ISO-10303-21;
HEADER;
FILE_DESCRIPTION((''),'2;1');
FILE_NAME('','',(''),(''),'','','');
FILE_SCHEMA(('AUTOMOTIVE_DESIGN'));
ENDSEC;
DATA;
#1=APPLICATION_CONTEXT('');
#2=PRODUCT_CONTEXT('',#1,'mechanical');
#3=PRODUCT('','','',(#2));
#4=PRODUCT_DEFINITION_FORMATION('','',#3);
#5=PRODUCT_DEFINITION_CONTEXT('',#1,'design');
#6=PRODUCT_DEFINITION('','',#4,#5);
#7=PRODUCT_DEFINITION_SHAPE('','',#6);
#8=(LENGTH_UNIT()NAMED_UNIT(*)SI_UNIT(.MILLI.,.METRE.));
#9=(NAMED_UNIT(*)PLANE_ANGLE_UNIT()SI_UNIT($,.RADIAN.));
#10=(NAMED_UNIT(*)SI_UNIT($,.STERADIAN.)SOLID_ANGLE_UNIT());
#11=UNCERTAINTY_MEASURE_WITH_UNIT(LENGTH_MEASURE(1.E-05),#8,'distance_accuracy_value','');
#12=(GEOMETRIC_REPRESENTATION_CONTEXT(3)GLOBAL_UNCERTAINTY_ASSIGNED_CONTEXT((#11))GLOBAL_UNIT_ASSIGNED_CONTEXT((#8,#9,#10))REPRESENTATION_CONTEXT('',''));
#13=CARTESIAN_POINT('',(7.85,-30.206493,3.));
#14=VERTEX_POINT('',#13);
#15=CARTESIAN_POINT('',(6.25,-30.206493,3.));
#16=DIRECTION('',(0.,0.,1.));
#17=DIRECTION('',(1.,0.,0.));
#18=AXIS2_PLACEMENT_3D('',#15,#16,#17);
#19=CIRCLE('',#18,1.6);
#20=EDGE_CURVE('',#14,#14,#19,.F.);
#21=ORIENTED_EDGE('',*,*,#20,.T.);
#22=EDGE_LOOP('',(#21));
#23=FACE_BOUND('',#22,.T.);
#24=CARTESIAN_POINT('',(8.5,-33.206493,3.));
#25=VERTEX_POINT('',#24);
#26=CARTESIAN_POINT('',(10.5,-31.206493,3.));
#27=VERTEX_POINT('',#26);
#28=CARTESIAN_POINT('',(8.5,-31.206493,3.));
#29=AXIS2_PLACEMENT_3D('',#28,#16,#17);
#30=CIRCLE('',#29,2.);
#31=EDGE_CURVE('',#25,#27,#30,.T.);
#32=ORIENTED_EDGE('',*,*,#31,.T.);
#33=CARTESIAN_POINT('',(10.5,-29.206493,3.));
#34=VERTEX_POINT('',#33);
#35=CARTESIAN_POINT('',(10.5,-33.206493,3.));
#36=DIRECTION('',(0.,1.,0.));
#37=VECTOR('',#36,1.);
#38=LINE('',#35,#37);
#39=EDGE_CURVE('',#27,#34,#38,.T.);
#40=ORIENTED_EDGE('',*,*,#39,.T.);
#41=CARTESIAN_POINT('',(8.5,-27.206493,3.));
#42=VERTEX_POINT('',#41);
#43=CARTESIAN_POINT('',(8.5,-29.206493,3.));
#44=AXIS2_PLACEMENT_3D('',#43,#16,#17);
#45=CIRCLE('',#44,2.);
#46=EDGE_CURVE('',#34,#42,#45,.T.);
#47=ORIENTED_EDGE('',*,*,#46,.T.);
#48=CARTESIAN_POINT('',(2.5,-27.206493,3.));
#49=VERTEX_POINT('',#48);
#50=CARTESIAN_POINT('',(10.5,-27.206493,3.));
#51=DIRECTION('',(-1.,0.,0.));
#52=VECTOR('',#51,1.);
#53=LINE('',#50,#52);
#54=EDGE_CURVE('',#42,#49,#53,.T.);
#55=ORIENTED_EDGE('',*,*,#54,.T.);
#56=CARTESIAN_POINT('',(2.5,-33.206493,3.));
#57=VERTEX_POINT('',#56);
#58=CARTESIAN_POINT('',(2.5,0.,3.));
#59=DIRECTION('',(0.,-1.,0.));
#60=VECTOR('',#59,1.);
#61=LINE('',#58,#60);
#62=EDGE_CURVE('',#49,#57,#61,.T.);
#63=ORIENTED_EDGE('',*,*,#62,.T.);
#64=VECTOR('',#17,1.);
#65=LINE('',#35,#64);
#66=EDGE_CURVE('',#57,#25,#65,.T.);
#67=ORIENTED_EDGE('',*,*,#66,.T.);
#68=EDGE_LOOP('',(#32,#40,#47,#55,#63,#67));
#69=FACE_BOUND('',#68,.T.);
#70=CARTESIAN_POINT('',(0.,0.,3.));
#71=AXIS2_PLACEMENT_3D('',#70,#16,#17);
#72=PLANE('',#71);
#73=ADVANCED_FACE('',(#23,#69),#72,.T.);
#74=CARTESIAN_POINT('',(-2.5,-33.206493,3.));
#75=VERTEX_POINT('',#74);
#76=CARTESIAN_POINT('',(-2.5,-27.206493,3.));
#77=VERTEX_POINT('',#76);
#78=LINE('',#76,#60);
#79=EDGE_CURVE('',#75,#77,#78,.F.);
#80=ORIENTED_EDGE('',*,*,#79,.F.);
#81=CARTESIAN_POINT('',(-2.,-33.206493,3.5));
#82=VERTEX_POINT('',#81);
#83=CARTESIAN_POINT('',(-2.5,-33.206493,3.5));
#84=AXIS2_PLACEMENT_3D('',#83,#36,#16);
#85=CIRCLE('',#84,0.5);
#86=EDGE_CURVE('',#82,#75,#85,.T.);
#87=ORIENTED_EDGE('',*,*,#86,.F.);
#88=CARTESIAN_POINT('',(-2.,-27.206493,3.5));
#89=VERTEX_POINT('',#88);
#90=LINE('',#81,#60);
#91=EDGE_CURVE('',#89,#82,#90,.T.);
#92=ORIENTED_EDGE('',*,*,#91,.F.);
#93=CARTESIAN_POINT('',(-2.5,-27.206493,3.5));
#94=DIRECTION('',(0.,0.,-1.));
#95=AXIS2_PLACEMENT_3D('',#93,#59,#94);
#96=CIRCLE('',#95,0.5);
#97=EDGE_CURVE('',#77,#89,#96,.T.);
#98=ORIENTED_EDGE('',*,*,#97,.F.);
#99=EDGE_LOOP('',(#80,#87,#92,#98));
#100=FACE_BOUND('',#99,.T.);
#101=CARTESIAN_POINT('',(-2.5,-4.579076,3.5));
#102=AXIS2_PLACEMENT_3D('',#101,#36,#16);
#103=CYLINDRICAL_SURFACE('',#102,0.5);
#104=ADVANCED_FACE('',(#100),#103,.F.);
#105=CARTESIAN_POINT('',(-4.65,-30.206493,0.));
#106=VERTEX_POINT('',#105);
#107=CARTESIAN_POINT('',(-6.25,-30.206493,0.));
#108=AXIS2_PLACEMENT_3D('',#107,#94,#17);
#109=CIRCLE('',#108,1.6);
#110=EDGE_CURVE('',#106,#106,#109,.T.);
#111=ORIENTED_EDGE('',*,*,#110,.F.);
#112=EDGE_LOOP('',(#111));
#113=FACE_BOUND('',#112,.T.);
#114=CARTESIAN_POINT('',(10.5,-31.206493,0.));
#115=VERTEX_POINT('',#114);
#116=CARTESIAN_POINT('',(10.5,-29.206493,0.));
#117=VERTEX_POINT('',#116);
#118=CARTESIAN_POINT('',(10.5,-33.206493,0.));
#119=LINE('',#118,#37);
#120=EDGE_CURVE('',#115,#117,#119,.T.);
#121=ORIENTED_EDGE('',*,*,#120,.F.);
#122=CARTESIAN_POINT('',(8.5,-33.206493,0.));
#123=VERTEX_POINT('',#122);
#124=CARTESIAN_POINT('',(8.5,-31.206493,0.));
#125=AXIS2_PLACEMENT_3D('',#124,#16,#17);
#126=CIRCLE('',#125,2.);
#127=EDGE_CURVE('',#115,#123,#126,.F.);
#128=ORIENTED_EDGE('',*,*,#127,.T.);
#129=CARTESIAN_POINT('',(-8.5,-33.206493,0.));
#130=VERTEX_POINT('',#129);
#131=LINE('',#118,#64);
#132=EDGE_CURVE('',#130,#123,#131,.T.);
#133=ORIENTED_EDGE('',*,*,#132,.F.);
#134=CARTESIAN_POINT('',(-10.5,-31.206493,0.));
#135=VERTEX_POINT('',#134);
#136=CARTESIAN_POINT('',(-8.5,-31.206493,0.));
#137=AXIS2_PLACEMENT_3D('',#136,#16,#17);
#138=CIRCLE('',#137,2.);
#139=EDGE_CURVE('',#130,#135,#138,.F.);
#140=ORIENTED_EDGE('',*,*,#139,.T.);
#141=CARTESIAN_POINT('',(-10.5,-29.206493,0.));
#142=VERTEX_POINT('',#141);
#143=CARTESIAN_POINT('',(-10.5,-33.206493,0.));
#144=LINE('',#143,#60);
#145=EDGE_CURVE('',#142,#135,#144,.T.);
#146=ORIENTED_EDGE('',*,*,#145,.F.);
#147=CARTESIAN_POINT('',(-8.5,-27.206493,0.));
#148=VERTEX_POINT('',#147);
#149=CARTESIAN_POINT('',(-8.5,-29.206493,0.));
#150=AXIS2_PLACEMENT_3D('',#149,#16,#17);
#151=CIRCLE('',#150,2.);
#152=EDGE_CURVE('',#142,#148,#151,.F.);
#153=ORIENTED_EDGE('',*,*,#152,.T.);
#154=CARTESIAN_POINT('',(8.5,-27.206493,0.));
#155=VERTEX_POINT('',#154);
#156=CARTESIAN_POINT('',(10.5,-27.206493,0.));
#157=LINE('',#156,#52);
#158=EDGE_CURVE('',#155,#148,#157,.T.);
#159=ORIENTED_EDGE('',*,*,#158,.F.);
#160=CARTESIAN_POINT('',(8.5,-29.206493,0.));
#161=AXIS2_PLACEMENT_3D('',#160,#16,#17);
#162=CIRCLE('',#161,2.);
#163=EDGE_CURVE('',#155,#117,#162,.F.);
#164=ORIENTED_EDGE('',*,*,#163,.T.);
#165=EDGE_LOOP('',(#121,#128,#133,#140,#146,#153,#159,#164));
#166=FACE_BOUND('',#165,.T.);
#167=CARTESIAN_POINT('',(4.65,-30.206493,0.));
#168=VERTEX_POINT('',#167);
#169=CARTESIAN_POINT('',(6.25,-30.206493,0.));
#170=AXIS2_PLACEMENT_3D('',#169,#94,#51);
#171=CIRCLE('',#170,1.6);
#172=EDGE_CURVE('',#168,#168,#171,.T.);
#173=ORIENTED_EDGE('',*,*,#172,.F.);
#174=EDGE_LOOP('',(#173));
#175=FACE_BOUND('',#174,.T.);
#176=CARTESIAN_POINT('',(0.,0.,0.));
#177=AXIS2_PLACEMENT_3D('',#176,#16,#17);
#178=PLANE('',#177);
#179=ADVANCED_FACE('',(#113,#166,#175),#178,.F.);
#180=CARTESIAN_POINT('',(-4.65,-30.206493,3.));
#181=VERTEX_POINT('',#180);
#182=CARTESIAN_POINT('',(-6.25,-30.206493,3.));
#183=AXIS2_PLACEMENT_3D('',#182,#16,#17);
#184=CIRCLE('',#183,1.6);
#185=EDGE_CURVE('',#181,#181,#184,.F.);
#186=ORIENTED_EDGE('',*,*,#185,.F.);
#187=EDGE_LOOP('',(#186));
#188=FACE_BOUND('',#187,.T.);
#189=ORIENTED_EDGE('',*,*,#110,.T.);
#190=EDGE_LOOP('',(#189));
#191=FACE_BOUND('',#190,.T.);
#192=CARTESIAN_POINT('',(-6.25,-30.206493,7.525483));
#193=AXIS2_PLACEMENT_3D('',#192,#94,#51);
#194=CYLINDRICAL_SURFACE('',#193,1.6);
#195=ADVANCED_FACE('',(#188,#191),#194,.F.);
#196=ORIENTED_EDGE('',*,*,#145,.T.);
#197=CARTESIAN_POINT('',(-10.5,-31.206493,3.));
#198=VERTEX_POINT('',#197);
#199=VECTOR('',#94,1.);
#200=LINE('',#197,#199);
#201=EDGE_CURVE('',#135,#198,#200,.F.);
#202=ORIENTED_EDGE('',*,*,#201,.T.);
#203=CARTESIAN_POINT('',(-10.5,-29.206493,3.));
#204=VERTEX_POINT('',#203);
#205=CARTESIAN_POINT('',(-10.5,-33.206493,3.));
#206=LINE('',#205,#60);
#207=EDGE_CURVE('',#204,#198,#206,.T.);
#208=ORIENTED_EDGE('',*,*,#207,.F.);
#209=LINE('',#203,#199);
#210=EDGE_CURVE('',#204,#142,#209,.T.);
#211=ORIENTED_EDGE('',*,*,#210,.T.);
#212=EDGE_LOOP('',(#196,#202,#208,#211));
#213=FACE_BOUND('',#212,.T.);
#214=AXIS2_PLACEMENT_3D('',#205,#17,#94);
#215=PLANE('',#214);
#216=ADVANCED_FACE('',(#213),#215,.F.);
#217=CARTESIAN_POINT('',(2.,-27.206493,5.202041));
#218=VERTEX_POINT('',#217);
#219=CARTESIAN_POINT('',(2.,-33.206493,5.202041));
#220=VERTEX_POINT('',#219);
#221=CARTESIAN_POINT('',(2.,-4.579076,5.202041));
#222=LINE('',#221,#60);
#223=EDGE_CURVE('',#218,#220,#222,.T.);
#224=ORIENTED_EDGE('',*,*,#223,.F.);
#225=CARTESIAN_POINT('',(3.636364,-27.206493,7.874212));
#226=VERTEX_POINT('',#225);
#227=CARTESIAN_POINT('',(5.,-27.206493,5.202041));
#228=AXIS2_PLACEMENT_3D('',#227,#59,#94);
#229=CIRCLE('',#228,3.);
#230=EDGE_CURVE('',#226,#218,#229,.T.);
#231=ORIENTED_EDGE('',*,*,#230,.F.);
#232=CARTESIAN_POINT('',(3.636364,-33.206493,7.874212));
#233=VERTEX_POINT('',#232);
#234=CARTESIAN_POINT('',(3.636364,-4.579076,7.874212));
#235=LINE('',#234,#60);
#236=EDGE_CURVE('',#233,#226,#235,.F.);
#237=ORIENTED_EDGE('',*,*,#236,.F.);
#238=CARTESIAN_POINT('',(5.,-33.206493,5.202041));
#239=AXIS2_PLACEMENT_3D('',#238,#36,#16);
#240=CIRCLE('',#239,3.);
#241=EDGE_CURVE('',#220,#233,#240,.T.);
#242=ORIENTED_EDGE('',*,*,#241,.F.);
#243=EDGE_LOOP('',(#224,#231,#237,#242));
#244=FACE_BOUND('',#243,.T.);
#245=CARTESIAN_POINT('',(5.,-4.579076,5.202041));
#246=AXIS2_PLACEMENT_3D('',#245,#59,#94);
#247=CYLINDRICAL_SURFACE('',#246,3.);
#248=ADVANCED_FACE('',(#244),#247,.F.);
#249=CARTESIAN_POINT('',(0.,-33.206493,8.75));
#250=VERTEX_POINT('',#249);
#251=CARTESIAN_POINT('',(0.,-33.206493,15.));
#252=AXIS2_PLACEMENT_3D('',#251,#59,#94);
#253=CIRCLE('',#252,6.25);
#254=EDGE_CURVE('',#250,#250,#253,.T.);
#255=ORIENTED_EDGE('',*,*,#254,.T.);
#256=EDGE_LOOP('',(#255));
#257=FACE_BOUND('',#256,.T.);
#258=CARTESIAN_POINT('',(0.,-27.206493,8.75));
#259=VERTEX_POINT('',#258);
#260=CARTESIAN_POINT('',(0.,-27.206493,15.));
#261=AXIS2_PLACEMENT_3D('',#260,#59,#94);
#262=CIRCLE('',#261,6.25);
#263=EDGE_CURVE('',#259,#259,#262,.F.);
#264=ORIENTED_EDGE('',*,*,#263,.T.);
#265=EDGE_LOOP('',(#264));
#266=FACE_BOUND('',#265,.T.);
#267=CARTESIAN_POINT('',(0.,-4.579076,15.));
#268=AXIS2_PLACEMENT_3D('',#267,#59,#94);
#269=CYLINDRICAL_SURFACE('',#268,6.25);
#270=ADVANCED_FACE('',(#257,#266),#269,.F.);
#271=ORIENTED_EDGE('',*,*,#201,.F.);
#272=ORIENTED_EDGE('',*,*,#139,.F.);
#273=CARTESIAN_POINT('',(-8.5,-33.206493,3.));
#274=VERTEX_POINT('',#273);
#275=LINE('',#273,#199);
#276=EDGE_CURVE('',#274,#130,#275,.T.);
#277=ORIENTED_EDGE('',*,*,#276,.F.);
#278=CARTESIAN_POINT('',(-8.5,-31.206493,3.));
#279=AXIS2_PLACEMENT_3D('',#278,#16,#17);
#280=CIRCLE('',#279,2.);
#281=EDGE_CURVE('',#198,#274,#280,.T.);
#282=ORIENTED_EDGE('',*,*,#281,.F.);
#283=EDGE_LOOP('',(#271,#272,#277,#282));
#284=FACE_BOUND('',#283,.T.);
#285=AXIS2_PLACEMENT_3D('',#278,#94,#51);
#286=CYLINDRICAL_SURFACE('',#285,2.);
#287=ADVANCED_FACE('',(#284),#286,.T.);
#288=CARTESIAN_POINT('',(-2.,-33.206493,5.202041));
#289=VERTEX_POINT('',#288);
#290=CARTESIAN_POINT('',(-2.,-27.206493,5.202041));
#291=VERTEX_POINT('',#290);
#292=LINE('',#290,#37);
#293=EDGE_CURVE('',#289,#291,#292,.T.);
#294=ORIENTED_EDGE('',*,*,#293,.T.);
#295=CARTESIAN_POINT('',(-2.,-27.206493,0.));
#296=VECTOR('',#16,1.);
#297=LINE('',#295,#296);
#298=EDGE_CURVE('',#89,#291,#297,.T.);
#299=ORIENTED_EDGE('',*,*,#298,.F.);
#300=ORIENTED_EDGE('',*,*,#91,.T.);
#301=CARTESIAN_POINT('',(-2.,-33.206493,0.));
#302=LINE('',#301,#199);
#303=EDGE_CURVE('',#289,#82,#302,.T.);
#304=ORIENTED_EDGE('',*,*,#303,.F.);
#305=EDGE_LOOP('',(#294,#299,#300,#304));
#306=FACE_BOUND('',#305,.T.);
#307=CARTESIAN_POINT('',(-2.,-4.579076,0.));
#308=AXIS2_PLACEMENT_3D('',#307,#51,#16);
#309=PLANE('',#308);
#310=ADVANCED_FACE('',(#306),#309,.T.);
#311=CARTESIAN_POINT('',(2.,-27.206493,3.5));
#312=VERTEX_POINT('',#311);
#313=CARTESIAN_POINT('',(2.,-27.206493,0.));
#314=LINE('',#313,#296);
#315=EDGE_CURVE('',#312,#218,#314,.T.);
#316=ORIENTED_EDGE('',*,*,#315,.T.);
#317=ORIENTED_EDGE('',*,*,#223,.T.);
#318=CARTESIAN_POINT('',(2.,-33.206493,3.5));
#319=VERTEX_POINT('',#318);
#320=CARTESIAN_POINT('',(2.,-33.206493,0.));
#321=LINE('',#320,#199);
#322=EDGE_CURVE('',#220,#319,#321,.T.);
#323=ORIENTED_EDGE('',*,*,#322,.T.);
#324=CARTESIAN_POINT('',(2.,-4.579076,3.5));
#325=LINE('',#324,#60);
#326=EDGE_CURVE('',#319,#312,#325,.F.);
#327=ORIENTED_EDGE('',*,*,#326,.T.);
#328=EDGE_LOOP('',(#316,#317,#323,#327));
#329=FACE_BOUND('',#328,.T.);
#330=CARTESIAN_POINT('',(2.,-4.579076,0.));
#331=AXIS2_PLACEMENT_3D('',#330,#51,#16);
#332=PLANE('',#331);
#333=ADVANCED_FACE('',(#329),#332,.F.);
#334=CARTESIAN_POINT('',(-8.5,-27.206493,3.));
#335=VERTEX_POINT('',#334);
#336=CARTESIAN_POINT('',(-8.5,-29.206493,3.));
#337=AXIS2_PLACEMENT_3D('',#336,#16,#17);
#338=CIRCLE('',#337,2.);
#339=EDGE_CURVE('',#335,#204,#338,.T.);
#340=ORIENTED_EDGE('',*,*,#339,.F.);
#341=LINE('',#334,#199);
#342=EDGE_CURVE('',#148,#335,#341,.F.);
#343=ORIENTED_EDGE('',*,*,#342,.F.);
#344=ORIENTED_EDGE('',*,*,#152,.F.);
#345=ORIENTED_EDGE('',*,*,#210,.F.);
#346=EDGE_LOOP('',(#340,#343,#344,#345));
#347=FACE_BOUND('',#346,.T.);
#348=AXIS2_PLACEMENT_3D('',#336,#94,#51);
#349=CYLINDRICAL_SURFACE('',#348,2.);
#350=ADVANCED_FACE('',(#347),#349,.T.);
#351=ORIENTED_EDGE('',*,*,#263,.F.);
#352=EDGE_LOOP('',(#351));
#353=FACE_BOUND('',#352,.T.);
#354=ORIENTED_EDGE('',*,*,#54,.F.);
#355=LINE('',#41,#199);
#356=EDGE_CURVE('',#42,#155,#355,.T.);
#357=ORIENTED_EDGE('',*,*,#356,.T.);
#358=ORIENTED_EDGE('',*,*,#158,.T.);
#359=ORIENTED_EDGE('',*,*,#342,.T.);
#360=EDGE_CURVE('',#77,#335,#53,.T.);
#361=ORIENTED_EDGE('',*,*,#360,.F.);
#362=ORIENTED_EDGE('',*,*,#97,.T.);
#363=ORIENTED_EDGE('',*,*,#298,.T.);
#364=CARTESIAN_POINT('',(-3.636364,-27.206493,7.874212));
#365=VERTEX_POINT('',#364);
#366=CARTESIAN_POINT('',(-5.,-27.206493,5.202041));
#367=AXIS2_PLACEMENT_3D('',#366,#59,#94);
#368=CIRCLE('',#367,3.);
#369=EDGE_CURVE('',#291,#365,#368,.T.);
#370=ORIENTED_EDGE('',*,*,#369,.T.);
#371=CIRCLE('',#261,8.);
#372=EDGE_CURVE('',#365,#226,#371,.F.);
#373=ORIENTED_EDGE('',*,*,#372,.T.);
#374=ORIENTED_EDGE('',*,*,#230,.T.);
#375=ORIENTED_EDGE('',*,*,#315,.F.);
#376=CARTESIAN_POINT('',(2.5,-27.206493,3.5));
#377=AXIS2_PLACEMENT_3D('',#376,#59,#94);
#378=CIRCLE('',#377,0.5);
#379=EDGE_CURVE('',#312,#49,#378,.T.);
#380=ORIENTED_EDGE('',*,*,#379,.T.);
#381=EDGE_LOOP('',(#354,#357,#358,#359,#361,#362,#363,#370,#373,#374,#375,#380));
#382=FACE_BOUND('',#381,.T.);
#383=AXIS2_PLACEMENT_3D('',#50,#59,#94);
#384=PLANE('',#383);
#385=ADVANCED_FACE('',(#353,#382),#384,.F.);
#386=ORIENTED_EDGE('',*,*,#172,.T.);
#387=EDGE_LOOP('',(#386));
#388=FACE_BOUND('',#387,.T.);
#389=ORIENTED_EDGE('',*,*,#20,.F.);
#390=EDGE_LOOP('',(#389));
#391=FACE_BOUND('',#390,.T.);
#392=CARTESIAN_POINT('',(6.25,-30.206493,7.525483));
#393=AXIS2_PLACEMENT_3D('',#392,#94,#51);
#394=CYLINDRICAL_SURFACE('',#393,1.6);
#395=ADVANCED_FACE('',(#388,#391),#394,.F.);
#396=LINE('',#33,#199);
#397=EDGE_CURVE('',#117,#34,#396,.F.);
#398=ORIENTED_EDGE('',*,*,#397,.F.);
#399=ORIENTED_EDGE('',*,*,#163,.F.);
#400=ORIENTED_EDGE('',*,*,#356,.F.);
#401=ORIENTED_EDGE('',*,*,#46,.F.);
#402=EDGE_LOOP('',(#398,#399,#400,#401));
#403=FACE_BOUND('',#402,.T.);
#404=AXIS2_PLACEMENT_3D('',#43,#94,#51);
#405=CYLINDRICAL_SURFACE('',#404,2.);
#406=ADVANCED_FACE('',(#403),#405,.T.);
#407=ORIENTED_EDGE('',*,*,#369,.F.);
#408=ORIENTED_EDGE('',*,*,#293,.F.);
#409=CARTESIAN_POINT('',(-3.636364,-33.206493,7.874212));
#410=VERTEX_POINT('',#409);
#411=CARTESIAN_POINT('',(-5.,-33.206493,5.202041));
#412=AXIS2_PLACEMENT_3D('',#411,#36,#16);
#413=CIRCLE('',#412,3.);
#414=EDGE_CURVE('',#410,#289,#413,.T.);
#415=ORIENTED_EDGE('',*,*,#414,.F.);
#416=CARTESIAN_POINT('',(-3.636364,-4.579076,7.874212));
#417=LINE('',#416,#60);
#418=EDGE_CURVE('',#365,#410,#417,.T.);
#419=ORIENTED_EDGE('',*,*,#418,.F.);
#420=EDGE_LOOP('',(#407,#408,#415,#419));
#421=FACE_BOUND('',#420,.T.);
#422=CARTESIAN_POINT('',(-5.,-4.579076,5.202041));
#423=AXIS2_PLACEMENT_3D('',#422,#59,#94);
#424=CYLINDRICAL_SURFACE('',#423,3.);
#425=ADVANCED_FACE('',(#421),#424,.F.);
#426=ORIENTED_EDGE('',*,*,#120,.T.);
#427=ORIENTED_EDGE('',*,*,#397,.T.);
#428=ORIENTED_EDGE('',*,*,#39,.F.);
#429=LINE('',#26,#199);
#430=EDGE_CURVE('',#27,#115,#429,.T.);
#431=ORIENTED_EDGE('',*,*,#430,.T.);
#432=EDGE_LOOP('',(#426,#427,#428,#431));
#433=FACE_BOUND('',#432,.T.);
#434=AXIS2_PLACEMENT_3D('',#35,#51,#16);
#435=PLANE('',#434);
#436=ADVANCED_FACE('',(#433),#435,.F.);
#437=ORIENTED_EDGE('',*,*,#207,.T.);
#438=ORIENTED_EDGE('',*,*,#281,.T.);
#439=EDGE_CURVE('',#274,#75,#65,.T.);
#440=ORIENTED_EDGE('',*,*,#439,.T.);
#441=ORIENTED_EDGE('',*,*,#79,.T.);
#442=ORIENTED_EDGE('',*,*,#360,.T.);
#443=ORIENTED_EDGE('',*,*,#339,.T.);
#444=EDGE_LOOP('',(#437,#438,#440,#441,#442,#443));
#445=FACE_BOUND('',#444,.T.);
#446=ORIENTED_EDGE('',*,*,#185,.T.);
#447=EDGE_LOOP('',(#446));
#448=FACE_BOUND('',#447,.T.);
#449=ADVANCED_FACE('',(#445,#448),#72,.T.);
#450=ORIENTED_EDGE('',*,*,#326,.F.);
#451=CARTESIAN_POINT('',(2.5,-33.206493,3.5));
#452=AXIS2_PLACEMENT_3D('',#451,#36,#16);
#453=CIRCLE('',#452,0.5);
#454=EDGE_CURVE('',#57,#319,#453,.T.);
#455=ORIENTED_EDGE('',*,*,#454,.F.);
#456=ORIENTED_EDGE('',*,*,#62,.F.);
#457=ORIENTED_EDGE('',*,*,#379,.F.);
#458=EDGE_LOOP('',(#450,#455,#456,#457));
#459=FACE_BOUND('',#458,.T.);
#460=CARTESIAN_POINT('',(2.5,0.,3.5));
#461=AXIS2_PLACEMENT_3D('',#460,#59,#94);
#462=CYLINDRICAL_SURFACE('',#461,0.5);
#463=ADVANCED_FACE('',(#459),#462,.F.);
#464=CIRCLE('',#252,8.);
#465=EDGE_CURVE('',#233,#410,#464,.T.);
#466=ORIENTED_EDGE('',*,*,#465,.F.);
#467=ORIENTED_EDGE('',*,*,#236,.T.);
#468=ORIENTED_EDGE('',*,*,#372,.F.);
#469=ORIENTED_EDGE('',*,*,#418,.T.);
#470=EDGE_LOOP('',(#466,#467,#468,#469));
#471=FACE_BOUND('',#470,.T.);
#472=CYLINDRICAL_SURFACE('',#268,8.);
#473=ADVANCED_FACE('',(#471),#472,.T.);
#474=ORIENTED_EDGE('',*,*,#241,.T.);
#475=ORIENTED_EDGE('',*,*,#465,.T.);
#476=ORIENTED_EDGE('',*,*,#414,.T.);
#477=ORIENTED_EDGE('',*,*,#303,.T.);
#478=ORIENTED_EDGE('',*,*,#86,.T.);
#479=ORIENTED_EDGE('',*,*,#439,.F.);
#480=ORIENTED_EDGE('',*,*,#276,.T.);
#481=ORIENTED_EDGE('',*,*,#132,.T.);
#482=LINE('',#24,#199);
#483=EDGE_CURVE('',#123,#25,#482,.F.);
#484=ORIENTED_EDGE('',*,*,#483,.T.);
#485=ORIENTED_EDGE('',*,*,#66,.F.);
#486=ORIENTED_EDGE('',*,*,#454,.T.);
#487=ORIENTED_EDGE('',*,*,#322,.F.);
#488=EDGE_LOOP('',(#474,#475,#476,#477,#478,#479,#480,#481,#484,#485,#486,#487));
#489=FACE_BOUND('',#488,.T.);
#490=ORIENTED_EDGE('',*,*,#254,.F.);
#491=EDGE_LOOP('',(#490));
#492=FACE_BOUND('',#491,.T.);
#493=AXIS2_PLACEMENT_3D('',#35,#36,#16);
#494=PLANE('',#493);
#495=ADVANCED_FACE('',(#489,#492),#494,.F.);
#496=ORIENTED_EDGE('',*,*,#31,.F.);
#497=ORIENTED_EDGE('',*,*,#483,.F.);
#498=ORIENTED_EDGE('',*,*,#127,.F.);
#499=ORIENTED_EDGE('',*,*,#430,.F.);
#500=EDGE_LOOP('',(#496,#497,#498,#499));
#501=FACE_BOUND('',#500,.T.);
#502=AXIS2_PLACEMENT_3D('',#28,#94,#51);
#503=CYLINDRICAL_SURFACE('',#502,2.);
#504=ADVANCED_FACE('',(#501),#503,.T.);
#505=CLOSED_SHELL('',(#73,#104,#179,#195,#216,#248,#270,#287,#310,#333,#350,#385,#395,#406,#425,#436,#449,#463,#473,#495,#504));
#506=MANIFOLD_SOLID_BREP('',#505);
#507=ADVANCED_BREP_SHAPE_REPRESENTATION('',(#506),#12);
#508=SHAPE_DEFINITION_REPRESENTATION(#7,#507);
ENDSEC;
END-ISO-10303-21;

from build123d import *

# Parameters (mm, degrees)
SKETCH_1_W          = 21
SKETCH_1_H          = 6
EXTRUDE_1_DEPTH     = 3
SKETCH_2_R          = 6.25
EXTRUDE_2_DEPTH     = 6
SKETCH_4_R          = 1.6
CUT_EXTRUDE_1_DEPTH = 3
FILLET_1_R          = 0.5
FILLET_2_R          = 3
FILLET_3_R          = 2


with BuildPart() as part:
    # 草图1 → 凸台-拉伸1 (new body)
    with BuildSketch(Plane.XY):
        with Locations((0, -30.20649321)):
            Rectangle(SKETCH_1_W, SKETCH_1_H)
    extrude(amount=EXTRUDE_1_DEPTH)

    # 草图2 → 凸台-拉伸2 (add)
    with BuildSketch(Plane.XZ.offset(33.20649321)):
        with BuildLine():
            ThreePointArc((2, 7.254033308), (0, 23), (-2, 7.254033308))
            Line((-2, 7.254033308), (-2, 3))
            Line((-2, 3), (2, 3))
            Line((2, 3), (2, 7.254033308))
        make_face()
        with Locations(Location((0, 15, 0), (0, 0, 270))):
            Circle(SKETCH_2_R, mode=Mode.SUBTRACT)
    extrude(amount=-EXTRUDE_2_DEPTH)

    # 草图4 → 切除-拉伸1 (cut)
    with BuildSketch(Plane(origin=(0, 0, 0), x_dir=(-1, 0, 0), z_dir=(0, 0, -1))):
        with Locations((-6.25, -30.20649321)):
            Circle(SKETCH_4_R)
        with Locations(Location((6.25, -30.20649321, 0), (0, 0, 180))):
            Circle(SKETCH_4_R)
    extrude(amount=-CUT_EXTRUDE_1_DEPTH, mode=Mode.SUBTRACT)

    # 圆角1
    fillet_1_edges = [part.edges().sort_by_distance(p)[0] for p in [
        (-2, -30.20649321, 3),
        (2, -30.20649321, 3),
    ]]
    fillet(fillet_1_edges, radius=FILLET_1_R)

    # 圆角2
    fillet_2_edges = [part.edges().sort_by_distance(p)[0] for p in [
        (2, -30.20649321, 7.254033308),
        (-2, -30.20649321, 7.254033308),
    ]]
    fillet(fillet_2_edges, radius=FILLET_2_R)

    # 圆角3
    fillet_3_edges = [part.edges().sort_by_distance(p)[0] for p in [
        (10.5, -33.20649321, 1.5),
        (-10.5, -33.20649321, 1.5),
        (-10.5, -27.20649321, 1.5),
        (10.5, -27.20649321, 1.5),
    ]]
    fillet(fillet_3_edges, radius=FILLET_3_R)


solid = part.part
